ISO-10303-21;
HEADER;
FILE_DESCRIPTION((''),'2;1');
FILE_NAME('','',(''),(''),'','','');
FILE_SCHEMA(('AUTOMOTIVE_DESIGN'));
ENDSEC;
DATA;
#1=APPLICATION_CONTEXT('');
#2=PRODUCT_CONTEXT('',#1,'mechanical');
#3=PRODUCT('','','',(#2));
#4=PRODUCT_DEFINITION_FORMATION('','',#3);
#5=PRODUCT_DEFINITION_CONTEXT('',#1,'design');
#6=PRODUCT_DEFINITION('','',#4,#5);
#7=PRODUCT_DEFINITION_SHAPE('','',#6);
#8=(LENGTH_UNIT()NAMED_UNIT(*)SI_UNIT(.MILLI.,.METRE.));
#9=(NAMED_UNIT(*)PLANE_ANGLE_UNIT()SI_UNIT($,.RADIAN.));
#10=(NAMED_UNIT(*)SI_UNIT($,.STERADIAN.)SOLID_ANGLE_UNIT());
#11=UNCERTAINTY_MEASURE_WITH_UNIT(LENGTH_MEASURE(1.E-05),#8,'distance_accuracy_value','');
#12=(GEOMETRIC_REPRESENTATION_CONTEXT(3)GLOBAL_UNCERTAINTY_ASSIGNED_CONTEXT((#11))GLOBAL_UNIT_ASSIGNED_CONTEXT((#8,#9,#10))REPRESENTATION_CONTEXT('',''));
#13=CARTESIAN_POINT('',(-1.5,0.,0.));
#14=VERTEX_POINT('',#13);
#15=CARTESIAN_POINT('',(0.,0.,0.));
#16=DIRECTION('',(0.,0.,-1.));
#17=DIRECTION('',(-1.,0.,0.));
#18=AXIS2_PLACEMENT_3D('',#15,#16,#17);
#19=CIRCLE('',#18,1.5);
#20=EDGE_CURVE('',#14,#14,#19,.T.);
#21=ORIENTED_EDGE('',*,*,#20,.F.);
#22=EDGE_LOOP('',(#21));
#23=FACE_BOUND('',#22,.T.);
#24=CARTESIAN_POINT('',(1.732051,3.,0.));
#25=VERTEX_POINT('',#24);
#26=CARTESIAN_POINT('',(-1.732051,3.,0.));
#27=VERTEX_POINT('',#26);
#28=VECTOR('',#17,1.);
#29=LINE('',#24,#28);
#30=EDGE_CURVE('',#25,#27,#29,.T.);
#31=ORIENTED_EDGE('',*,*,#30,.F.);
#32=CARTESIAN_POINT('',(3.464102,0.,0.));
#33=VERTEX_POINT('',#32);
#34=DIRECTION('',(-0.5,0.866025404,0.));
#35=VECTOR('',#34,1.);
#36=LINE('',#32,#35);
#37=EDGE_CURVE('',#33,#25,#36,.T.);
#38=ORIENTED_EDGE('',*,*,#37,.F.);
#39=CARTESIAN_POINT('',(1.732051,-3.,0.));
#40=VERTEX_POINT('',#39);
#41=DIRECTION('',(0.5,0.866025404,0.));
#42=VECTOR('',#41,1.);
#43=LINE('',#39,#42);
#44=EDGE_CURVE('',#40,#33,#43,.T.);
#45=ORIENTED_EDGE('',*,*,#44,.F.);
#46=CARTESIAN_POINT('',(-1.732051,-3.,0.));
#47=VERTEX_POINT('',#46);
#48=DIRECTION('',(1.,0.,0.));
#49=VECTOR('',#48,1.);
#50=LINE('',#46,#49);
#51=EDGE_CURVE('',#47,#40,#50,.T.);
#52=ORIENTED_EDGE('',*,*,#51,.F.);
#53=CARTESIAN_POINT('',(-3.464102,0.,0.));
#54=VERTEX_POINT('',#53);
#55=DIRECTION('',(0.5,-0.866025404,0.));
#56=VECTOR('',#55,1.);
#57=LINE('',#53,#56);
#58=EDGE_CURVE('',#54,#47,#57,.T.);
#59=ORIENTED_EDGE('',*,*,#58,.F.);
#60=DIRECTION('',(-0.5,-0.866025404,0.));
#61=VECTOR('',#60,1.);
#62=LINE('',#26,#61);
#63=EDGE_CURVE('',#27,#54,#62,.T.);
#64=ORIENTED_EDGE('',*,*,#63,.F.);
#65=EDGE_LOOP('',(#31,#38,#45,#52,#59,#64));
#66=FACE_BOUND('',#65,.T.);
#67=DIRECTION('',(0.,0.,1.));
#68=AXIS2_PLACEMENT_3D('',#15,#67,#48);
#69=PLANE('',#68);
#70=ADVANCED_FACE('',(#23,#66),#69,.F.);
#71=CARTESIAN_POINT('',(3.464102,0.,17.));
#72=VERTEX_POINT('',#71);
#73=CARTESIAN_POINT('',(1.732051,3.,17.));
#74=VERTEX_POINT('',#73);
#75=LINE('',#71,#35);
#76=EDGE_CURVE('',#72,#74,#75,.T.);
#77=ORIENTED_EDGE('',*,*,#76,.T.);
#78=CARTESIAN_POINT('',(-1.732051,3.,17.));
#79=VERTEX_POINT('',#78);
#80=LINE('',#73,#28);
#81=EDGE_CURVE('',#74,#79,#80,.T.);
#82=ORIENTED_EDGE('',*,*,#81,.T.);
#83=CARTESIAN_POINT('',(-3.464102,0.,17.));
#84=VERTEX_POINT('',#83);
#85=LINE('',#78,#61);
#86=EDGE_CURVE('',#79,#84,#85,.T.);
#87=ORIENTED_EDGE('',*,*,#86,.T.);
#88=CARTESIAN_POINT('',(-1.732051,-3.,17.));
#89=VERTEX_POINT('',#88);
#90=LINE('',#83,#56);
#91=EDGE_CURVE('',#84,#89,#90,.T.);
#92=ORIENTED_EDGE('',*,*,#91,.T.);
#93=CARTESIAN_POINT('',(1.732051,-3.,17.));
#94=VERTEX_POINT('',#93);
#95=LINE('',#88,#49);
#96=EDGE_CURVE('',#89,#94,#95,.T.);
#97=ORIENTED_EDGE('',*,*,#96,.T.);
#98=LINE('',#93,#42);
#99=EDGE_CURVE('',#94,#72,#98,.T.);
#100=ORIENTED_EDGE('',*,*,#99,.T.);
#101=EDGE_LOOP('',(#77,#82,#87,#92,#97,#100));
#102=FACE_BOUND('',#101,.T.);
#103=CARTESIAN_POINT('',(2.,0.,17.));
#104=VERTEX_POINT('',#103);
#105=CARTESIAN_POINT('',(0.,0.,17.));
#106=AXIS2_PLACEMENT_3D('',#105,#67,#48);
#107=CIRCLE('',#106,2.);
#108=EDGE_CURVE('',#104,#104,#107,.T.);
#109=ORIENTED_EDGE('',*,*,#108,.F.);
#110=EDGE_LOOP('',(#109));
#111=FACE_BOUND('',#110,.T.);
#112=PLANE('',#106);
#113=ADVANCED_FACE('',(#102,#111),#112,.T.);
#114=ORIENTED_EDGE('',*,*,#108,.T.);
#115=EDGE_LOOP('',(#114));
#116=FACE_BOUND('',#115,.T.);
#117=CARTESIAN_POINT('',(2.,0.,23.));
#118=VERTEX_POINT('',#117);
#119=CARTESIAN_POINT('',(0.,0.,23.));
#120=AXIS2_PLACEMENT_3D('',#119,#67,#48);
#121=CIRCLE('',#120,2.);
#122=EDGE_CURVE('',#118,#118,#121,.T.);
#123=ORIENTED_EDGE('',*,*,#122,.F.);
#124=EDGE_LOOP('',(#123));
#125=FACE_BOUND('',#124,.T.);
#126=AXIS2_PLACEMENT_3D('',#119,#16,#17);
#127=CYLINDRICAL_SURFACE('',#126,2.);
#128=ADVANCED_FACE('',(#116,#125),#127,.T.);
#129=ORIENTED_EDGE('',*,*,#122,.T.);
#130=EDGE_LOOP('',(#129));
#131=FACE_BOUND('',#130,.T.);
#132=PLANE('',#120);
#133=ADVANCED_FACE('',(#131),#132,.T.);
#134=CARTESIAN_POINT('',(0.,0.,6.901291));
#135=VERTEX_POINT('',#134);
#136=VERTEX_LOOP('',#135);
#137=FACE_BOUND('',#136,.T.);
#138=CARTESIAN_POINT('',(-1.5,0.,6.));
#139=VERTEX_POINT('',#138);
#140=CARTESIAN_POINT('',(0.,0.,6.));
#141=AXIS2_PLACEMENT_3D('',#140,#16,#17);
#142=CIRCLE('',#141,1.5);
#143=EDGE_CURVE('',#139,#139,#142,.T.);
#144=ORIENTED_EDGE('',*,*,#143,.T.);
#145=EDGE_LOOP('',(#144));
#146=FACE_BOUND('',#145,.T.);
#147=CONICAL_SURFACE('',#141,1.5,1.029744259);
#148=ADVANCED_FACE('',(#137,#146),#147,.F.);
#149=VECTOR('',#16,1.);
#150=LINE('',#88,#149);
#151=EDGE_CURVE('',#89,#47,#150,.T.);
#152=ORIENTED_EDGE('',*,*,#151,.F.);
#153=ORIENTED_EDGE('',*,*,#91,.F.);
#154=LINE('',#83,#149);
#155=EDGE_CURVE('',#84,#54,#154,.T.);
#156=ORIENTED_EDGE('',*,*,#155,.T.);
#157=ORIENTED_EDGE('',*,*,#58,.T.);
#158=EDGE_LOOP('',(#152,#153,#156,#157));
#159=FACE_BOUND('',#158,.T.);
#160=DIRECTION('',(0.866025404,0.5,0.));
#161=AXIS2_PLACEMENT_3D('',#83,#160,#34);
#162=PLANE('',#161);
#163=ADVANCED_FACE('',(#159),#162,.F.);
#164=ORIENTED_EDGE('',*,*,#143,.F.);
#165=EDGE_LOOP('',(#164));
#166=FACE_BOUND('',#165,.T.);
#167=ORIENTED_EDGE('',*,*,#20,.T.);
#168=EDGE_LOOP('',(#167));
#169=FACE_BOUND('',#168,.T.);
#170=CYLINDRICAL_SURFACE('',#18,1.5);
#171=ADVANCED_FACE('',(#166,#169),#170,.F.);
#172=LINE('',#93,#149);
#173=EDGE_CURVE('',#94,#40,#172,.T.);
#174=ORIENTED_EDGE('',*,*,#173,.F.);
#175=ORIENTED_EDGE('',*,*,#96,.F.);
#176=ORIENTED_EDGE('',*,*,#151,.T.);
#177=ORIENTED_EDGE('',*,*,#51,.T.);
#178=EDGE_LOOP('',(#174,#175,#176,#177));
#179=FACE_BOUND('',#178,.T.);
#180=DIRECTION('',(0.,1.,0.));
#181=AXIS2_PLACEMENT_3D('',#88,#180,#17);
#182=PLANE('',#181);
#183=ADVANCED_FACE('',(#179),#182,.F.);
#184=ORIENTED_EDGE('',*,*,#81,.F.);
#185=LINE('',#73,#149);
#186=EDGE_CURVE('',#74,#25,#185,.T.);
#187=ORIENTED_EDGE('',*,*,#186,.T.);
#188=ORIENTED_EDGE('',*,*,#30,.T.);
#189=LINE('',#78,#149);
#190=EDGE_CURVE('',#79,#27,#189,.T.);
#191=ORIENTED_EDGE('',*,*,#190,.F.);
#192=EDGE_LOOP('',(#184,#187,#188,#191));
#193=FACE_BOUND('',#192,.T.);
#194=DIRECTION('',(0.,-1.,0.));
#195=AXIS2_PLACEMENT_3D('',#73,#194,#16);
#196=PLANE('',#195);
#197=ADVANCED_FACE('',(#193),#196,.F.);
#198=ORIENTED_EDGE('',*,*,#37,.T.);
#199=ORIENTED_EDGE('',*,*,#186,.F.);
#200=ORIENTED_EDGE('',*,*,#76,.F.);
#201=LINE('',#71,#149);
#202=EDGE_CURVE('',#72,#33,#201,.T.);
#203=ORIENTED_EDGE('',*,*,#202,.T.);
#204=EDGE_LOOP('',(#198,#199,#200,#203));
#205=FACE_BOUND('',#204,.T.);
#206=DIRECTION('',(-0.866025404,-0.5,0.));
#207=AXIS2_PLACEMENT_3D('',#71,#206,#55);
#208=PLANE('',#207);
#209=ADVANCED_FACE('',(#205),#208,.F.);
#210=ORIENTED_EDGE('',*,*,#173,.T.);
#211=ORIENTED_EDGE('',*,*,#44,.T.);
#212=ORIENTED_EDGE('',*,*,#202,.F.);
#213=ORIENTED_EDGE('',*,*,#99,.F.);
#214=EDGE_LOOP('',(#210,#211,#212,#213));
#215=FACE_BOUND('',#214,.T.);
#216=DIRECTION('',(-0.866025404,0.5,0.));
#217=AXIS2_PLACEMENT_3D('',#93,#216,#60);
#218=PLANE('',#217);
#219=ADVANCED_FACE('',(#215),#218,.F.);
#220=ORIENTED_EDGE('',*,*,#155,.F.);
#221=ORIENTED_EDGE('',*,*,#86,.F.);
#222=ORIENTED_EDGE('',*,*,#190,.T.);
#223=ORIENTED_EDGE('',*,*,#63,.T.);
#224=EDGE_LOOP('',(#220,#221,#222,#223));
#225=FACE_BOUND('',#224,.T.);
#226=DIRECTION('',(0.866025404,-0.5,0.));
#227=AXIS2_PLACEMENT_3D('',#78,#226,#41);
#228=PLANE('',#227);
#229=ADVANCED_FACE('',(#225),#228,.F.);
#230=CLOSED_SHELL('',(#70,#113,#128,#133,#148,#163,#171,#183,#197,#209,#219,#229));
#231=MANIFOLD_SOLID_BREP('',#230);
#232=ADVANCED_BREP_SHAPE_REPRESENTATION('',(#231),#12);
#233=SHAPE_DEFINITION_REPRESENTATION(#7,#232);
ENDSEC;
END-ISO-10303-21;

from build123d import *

# Parameters (mm, degrees)
BOSS_EXTRUDE1_DEPTH       = 17
SKETCH2_R                 = 2
BOSS_EXTRUDE2_DEPTH       = 6
F_3_0MM_DOWEL_HOLE1_D     = 3
F_3_0MM_DOWEL_HOLE1_DEPTH = 6
F_3_0MM_DOWEL_HOLE1_TIP   = 0.901290929


with BuildPart() as part:
    # Sketch1 → Boss-Extrude1 (new body)
    with BuildSketch(Plane.XY):
        Polygon((1.732050808, 3), (-1.732050808, 3), (-3.464101615, 0), (-1.732050808, -3), (1.732050808, -3), (3.464101615, 0), align=None)
    extrude(amount=BOSS_EXTRUDE1_DEPTH)

    # Sketch2 → Boss-Extrude2 (add)
    with BuildSketch(Plane.XY.offset(17)):
        Circle(SKETCH2_R)
    extrude(amount=BOSS_EXTRUDE2_DEPTH)

    # Ø3.0mm Dowel Hole1
    with Locations(Plane(origin=(0, 0, 0), x_dir=(-1, 0, 0), z_dir=(0, 0, -1))):
        with Locations((0, 0)):
            Hole(F_3_0MM_DOWEL_HOLE1_D / 2, depth=F_3_0MM_DOWEL_HOLE1_DEPTH)
            with Locations((0, 0, -(F_3_0MM_DOWEL_HOLE1_DEPTH + F_3_0MM_DOWEL_HOLE1_TIP / 2))):  # 118° drill point
                Cone(0, F_3_0MM_DOWEL_HOLE1_D / 2, F_3_0MM_DOWEL_HOLE1_TIP, mode=Mode.SUBTRACT)


solid = part.part
